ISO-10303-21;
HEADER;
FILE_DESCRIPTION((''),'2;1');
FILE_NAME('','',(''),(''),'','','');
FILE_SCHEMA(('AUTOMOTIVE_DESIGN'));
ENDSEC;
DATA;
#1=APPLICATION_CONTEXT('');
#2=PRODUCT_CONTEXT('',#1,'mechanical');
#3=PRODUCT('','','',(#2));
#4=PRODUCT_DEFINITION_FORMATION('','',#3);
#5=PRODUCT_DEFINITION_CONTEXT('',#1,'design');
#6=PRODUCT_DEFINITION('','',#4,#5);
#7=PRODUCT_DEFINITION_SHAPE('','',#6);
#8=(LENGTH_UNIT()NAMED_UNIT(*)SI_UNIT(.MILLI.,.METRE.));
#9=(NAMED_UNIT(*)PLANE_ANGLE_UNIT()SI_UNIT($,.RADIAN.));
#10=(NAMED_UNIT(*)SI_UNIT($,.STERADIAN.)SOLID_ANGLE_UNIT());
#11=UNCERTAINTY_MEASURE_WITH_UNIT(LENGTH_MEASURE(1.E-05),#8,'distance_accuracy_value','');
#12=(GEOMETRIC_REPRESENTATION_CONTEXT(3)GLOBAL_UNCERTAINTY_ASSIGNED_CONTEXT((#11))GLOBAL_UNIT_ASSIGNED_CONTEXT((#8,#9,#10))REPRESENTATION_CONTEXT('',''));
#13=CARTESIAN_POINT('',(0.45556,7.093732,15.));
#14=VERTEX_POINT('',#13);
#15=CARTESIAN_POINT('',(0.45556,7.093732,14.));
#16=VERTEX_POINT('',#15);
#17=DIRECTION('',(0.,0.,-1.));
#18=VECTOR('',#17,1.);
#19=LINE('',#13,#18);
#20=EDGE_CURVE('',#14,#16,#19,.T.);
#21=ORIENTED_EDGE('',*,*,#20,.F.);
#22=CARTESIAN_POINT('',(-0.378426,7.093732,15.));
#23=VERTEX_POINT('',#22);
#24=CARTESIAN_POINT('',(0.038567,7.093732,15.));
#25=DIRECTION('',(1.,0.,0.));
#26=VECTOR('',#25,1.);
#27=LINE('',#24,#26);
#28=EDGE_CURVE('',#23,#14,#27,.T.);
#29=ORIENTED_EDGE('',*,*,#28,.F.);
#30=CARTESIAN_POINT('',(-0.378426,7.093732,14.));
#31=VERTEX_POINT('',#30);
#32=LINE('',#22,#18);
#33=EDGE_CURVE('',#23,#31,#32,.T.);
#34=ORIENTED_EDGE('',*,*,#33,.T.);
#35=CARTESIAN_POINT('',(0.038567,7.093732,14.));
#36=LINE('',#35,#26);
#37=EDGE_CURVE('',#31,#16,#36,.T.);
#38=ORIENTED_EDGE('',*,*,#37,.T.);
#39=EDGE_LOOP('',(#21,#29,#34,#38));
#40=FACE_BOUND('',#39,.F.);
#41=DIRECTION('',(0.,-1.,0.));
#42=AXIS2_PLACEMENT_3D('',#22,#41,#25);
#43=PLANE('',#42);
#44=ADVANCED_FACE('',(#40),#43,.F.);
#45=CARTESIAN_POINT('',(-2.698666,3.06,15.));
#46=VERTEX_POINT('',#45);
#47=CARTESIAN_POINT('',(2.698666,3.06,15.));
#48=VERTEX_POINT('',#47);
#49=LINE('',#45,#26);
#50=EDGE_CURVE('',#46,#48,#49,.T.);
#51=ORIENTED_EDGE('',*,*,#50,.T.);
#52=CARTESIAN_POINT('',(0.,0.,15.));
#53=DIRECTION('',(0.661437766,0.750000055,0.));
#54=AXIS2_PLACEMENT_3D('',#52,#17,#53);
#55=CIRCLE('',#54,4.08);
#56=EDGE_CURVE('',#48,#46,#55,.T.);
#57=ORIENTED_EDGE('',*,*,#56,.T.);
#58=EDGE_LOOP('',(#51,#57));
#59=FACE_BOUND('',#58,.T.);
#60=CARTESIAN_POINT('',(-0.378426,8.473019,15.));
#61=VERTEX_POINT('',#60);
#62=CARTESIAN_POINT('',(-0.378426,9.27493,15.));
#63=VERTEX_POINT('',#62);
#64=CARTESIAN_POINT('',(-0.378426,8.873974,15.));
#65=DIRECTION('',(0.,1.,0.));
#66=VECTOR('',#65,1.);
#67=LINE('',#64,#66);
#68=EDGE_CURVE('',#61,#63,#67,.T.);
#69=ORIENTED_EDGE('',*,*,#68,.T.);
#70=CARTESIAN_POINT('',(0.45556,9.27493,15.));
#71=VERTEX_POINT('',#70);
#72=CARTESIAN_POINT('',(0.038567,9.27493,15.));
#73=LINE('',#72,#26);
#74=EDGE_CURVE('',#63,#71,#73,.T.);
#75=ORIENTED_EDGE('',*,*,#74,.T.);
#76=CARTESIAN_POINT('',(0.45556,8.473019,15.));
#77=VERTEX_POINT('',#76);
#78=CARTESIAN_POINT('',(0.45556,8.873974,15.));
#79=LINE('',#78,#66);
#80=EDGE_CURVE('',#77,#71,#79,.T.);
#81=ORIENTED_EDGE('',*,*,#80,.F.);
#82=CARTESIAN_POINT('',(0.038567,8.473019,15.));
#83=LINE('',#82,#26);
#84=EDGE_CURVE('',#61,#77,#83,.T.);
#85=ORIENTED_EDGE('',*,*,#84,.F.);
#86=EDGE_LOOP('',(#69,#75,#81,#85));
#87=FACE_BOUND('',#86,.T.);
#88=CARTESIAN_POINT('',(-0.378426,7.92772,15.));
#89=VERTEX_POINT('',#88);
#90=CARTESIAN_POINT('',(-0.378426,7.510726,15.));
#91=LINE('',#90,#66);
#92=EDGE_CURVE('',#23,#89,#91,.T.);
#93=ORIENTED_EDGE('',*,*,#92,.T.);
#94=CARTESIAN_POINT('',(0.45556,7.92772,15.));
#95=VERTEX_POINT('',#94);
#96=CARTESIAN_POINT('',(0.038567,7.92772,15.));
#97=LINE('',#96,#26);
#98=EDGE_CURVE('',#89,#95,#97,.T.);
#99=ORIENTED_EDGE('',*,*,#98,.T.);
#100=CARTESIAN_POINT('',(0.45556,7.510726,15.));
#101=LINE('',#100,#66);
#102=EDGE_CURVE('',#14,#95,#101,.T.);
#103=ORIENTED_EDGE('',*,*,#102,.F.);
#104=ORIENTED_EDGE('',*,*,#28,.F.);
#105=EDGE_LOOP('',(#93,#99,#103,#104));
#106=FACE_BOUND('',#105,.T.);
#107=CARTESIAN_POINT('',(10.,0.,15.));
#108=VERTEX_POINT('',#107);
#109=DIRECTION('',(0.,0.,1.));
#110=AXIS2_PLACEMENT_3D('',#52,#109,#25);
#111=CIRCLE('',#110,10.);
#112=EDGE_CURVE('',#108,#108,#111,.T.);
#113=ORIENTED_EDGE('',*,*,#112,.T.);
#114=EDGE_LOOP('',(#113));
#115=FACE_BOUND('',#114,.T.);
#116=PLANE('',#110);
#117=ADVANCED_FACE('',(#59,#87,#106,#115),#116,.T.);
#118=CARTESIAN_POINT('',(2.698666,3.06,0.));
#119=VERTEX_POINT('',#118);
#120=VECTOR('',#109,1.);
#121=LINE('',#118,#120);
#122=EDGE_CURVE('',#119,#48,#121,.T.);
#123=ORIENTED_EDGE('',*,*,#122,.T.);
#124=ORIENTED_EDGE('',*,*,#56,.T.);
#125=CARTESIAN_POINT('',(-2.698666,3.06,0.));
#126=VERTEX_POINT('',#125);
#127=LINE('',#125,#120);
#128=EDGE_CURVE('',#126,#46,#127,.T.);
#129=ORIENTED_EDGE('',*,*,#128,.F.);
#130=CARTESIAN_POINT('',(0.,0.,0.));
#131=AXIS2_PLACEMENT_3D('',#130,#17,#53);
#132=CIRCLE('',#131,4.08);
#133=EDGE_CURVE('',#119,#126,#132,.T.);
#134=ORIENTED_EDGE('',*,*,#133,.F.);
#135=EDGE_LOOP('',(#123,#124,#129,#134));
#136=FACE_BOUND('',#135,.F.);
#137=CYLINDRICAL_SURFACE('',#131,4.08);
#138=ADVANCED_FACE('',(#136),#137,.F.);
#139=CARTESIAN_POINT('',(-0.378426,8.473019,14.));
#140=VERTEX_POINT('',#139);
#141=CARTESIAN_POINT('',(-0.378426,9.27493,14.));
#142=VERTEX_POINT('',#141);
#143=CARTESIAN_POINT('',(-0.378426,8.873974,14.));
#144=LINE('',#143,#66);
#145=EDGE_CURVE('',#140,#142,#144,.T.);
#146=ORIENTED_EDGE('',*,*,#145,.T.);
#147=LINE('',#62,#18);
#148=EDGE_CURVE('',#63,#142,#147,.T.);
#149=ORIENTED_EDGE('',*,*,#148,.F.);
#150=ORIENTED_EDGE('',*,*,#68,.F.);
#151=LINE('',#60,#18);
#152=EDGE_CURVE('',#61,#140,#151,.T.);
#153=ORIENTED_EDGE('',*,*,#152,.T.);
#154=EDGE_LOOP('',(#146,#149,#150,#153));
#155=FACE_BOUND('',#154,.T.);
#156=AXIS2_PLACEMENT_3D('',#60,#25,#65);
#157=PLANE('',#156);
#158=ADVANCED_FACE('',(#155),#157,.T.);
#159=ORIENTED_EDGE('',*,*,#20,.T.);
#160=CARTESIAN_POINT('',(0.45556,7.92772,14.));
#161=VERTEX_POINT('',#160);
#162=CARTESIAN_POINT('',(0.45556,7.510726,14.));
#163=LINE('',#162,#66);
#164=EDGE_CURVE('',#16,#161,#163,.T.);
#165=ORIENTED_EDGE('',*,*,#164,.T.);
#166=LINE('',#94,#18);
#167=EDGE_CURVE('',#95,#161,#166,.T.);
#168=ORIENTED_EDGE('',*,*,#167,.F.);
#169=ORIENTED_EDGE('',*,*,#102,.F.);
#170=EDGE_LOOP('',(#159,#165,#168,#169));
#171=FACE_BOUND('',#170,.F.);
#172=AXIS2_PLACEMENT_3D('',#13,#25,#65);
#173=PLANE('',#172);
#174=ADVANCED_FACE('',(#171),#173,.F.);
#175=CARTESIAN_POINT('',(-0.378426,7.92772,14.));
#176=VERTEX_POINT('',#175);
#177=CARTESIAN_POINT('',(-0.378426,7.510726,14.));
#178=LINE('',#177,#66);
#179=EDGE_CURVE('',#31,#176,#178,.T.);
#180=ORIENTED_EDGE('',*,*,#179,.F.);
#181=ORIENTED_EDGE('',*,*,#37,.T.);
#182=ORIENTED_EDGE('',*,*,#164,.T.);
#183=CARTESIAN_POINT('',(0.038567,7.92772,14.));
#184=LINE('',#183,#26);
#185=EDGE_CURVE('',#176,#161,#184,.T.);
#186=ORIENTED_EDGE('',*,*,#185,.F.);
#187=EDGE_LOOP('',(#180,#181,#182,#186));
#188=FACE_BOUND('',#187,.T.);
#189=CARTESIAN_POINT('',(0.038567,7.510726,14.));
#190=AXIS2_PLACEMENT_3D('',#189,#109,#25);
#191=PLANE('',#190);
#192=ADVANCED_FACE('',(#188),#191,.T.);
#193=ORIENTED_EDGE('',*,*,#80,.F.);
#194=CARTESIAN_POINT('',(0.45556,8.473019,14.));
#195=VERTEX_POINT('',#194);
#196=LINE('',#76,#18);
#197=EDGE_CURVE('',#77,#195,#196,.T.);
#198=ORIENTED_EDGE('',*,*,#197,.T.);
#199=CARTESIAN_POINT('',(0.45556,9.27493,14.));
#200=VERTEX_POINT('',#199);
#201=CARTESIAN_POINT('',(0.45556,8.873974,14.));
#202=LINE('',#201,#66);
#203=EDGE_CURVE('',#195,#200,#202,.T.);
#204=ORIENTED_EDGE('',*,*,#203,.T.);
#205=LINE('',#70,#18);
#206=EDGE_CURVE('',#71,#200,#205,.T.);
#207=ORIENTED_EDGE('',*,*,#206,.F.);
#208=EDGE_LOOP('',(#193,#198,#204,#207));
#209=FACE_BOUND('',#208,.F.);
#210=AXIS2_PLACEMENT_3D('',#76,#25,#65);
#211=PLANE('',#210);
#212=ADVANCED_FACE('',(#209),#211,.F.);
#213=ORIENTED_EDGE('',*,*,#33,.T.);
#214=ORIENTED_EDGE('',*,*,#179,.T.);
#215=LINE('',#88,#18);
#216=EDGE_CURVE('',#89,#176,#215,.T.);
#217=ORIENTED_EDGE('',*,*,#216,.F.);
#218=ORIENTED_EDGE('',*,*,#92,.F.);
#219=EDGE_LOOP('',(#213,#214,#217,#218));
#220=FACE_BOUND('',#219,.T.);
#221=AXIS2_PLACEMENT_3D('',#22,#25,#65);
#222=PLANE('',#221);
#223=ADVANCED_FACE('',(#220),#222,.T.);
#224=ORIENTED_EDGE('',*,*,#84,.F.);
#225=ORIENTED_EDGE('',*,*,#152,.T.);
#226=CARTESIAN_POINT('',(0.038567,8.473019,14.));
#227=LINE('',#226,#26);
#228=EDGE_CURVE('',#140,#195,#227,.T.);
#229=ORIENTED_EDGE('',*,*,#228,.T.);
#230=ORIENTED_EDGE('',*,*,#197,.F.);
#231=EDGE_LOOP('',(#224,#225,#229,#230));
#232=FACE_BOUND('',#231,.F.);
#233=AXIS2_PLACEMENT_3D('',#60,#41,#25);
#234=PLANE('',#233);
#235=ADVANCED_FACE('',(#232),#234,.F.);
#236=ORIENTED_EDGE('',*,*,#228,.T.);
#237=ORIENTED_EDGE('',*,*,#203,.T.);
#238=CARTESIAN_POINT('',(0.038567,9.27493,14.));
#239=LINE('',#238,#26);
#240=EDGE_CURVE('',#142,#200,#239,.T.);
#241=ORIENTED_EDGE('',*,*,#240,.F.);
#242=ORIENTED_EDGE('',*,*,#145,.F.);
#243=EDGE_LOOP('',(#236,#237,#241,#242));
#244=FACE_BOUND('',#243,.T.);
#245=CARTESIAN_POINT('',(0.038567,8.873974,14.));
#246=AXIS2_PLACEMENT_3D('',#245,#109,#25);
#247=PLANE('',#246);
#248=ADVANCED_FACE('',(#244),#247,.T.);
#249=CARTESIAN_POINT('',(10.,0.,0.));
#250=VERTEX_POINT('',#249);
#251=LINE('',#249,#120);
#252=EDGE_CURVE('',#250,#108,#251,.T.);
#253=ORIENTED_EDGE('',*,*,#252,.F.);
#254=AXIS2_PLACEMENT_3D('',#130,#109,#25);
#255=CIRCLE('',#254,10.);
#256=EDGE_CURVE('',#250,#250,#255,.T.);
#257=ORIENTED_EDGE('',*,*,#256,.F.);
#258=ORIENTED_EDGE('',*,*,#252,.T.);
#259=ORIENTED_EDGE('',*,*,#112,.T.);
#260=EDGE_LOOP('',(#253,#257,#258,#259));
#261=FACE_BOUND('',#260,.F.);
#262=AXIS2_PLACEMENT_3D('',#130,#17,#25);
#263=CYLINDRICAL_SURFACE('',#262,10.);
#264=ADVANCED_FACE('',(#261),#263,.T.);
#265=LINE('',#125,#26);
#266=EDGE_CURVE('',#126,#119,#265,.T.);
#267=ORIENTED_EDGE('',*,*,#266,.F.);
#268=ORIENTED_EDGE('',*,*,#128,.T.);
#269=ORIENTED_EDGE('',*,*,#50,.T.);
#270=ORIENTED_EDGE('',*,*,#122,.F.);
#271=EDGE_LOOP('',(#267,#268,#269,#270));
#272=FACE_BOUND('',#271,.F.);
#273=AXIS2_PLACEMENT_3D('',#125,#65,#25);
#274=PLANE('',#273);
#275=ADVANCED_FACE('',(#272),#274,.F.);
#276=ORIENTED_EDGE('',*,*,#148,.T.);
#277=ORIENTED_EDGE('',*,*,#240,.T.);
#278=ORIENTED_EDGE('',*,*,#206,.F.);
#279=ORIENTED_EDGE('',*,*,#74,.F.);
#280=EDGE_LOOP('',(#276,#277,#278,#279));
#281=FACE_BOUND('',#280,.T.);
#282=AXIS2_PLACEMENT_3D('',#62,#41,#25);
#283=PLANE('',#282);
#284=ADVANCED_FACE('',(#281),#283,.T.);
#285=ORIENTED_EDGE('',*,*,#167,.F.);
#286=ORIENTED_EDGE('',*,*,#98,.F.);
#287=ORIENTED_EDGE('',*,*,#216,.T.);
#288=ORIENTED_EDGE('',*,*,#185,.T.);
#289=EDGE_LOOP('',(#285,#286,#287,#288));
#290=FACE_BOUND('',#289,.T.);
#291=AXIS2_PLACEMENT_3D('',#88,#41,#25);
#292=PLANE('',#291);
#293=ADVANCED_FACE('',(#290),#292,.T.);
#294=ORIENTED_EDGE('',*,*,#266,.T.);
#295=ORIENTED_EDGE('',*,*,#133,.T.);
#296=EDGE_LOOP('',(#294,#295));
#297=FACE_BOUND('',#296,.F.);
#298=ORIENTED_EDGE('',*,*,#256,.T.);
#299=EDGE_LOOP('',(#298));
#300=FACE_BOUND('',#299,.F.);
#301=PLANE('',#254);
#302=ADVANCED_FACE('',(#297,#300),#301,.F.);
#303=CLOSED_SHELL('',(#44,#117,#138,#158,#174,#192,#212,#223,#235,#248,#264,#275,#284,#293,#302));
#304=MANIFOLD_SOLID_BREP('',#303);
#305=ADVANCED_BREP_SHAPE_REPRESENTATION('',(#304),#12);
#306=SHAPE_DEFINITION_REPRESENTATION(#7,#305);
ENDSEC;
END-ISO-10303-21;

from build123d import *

# Parameters (mm, degrees)
F0_R     = 10
F1_DEPTH = 15
F2_W     = 0.833987
F2_H     = 0.801911
F2_H_2   = 0.833987
F3_DEPTH = 1


with BuildPart() as f1:
    # F0 (on Top) → F1 (new body)
    with BuildSketch(Plane.XY):
        Circle(F0_R)
        with BuildLine():
            ThreePointArc((2.698666, 3.06), (0, -4.08), (-2.698666, 3.06))
            Line((-2.698666, 3.06), (2.698666, 3.06))
        make_face(mode=Mode.SUBTRACT)
    extrude(amount=F1_DEPTH)

    # F2 (on face) → F3 (cut)
    with BuildSketch(Plane.XY.offset(15)):
        with Locations((0.038567, 8.873974)):
            Rectangle(F2_W, F2_H)
        with Locations((0.038567, 7.510726)):
            Rectangle(F2_W, F2_H_2)
    extrude(amount=-F3_DEPTH, mode=Mode.SUBTRACT)


solid = f1.part
